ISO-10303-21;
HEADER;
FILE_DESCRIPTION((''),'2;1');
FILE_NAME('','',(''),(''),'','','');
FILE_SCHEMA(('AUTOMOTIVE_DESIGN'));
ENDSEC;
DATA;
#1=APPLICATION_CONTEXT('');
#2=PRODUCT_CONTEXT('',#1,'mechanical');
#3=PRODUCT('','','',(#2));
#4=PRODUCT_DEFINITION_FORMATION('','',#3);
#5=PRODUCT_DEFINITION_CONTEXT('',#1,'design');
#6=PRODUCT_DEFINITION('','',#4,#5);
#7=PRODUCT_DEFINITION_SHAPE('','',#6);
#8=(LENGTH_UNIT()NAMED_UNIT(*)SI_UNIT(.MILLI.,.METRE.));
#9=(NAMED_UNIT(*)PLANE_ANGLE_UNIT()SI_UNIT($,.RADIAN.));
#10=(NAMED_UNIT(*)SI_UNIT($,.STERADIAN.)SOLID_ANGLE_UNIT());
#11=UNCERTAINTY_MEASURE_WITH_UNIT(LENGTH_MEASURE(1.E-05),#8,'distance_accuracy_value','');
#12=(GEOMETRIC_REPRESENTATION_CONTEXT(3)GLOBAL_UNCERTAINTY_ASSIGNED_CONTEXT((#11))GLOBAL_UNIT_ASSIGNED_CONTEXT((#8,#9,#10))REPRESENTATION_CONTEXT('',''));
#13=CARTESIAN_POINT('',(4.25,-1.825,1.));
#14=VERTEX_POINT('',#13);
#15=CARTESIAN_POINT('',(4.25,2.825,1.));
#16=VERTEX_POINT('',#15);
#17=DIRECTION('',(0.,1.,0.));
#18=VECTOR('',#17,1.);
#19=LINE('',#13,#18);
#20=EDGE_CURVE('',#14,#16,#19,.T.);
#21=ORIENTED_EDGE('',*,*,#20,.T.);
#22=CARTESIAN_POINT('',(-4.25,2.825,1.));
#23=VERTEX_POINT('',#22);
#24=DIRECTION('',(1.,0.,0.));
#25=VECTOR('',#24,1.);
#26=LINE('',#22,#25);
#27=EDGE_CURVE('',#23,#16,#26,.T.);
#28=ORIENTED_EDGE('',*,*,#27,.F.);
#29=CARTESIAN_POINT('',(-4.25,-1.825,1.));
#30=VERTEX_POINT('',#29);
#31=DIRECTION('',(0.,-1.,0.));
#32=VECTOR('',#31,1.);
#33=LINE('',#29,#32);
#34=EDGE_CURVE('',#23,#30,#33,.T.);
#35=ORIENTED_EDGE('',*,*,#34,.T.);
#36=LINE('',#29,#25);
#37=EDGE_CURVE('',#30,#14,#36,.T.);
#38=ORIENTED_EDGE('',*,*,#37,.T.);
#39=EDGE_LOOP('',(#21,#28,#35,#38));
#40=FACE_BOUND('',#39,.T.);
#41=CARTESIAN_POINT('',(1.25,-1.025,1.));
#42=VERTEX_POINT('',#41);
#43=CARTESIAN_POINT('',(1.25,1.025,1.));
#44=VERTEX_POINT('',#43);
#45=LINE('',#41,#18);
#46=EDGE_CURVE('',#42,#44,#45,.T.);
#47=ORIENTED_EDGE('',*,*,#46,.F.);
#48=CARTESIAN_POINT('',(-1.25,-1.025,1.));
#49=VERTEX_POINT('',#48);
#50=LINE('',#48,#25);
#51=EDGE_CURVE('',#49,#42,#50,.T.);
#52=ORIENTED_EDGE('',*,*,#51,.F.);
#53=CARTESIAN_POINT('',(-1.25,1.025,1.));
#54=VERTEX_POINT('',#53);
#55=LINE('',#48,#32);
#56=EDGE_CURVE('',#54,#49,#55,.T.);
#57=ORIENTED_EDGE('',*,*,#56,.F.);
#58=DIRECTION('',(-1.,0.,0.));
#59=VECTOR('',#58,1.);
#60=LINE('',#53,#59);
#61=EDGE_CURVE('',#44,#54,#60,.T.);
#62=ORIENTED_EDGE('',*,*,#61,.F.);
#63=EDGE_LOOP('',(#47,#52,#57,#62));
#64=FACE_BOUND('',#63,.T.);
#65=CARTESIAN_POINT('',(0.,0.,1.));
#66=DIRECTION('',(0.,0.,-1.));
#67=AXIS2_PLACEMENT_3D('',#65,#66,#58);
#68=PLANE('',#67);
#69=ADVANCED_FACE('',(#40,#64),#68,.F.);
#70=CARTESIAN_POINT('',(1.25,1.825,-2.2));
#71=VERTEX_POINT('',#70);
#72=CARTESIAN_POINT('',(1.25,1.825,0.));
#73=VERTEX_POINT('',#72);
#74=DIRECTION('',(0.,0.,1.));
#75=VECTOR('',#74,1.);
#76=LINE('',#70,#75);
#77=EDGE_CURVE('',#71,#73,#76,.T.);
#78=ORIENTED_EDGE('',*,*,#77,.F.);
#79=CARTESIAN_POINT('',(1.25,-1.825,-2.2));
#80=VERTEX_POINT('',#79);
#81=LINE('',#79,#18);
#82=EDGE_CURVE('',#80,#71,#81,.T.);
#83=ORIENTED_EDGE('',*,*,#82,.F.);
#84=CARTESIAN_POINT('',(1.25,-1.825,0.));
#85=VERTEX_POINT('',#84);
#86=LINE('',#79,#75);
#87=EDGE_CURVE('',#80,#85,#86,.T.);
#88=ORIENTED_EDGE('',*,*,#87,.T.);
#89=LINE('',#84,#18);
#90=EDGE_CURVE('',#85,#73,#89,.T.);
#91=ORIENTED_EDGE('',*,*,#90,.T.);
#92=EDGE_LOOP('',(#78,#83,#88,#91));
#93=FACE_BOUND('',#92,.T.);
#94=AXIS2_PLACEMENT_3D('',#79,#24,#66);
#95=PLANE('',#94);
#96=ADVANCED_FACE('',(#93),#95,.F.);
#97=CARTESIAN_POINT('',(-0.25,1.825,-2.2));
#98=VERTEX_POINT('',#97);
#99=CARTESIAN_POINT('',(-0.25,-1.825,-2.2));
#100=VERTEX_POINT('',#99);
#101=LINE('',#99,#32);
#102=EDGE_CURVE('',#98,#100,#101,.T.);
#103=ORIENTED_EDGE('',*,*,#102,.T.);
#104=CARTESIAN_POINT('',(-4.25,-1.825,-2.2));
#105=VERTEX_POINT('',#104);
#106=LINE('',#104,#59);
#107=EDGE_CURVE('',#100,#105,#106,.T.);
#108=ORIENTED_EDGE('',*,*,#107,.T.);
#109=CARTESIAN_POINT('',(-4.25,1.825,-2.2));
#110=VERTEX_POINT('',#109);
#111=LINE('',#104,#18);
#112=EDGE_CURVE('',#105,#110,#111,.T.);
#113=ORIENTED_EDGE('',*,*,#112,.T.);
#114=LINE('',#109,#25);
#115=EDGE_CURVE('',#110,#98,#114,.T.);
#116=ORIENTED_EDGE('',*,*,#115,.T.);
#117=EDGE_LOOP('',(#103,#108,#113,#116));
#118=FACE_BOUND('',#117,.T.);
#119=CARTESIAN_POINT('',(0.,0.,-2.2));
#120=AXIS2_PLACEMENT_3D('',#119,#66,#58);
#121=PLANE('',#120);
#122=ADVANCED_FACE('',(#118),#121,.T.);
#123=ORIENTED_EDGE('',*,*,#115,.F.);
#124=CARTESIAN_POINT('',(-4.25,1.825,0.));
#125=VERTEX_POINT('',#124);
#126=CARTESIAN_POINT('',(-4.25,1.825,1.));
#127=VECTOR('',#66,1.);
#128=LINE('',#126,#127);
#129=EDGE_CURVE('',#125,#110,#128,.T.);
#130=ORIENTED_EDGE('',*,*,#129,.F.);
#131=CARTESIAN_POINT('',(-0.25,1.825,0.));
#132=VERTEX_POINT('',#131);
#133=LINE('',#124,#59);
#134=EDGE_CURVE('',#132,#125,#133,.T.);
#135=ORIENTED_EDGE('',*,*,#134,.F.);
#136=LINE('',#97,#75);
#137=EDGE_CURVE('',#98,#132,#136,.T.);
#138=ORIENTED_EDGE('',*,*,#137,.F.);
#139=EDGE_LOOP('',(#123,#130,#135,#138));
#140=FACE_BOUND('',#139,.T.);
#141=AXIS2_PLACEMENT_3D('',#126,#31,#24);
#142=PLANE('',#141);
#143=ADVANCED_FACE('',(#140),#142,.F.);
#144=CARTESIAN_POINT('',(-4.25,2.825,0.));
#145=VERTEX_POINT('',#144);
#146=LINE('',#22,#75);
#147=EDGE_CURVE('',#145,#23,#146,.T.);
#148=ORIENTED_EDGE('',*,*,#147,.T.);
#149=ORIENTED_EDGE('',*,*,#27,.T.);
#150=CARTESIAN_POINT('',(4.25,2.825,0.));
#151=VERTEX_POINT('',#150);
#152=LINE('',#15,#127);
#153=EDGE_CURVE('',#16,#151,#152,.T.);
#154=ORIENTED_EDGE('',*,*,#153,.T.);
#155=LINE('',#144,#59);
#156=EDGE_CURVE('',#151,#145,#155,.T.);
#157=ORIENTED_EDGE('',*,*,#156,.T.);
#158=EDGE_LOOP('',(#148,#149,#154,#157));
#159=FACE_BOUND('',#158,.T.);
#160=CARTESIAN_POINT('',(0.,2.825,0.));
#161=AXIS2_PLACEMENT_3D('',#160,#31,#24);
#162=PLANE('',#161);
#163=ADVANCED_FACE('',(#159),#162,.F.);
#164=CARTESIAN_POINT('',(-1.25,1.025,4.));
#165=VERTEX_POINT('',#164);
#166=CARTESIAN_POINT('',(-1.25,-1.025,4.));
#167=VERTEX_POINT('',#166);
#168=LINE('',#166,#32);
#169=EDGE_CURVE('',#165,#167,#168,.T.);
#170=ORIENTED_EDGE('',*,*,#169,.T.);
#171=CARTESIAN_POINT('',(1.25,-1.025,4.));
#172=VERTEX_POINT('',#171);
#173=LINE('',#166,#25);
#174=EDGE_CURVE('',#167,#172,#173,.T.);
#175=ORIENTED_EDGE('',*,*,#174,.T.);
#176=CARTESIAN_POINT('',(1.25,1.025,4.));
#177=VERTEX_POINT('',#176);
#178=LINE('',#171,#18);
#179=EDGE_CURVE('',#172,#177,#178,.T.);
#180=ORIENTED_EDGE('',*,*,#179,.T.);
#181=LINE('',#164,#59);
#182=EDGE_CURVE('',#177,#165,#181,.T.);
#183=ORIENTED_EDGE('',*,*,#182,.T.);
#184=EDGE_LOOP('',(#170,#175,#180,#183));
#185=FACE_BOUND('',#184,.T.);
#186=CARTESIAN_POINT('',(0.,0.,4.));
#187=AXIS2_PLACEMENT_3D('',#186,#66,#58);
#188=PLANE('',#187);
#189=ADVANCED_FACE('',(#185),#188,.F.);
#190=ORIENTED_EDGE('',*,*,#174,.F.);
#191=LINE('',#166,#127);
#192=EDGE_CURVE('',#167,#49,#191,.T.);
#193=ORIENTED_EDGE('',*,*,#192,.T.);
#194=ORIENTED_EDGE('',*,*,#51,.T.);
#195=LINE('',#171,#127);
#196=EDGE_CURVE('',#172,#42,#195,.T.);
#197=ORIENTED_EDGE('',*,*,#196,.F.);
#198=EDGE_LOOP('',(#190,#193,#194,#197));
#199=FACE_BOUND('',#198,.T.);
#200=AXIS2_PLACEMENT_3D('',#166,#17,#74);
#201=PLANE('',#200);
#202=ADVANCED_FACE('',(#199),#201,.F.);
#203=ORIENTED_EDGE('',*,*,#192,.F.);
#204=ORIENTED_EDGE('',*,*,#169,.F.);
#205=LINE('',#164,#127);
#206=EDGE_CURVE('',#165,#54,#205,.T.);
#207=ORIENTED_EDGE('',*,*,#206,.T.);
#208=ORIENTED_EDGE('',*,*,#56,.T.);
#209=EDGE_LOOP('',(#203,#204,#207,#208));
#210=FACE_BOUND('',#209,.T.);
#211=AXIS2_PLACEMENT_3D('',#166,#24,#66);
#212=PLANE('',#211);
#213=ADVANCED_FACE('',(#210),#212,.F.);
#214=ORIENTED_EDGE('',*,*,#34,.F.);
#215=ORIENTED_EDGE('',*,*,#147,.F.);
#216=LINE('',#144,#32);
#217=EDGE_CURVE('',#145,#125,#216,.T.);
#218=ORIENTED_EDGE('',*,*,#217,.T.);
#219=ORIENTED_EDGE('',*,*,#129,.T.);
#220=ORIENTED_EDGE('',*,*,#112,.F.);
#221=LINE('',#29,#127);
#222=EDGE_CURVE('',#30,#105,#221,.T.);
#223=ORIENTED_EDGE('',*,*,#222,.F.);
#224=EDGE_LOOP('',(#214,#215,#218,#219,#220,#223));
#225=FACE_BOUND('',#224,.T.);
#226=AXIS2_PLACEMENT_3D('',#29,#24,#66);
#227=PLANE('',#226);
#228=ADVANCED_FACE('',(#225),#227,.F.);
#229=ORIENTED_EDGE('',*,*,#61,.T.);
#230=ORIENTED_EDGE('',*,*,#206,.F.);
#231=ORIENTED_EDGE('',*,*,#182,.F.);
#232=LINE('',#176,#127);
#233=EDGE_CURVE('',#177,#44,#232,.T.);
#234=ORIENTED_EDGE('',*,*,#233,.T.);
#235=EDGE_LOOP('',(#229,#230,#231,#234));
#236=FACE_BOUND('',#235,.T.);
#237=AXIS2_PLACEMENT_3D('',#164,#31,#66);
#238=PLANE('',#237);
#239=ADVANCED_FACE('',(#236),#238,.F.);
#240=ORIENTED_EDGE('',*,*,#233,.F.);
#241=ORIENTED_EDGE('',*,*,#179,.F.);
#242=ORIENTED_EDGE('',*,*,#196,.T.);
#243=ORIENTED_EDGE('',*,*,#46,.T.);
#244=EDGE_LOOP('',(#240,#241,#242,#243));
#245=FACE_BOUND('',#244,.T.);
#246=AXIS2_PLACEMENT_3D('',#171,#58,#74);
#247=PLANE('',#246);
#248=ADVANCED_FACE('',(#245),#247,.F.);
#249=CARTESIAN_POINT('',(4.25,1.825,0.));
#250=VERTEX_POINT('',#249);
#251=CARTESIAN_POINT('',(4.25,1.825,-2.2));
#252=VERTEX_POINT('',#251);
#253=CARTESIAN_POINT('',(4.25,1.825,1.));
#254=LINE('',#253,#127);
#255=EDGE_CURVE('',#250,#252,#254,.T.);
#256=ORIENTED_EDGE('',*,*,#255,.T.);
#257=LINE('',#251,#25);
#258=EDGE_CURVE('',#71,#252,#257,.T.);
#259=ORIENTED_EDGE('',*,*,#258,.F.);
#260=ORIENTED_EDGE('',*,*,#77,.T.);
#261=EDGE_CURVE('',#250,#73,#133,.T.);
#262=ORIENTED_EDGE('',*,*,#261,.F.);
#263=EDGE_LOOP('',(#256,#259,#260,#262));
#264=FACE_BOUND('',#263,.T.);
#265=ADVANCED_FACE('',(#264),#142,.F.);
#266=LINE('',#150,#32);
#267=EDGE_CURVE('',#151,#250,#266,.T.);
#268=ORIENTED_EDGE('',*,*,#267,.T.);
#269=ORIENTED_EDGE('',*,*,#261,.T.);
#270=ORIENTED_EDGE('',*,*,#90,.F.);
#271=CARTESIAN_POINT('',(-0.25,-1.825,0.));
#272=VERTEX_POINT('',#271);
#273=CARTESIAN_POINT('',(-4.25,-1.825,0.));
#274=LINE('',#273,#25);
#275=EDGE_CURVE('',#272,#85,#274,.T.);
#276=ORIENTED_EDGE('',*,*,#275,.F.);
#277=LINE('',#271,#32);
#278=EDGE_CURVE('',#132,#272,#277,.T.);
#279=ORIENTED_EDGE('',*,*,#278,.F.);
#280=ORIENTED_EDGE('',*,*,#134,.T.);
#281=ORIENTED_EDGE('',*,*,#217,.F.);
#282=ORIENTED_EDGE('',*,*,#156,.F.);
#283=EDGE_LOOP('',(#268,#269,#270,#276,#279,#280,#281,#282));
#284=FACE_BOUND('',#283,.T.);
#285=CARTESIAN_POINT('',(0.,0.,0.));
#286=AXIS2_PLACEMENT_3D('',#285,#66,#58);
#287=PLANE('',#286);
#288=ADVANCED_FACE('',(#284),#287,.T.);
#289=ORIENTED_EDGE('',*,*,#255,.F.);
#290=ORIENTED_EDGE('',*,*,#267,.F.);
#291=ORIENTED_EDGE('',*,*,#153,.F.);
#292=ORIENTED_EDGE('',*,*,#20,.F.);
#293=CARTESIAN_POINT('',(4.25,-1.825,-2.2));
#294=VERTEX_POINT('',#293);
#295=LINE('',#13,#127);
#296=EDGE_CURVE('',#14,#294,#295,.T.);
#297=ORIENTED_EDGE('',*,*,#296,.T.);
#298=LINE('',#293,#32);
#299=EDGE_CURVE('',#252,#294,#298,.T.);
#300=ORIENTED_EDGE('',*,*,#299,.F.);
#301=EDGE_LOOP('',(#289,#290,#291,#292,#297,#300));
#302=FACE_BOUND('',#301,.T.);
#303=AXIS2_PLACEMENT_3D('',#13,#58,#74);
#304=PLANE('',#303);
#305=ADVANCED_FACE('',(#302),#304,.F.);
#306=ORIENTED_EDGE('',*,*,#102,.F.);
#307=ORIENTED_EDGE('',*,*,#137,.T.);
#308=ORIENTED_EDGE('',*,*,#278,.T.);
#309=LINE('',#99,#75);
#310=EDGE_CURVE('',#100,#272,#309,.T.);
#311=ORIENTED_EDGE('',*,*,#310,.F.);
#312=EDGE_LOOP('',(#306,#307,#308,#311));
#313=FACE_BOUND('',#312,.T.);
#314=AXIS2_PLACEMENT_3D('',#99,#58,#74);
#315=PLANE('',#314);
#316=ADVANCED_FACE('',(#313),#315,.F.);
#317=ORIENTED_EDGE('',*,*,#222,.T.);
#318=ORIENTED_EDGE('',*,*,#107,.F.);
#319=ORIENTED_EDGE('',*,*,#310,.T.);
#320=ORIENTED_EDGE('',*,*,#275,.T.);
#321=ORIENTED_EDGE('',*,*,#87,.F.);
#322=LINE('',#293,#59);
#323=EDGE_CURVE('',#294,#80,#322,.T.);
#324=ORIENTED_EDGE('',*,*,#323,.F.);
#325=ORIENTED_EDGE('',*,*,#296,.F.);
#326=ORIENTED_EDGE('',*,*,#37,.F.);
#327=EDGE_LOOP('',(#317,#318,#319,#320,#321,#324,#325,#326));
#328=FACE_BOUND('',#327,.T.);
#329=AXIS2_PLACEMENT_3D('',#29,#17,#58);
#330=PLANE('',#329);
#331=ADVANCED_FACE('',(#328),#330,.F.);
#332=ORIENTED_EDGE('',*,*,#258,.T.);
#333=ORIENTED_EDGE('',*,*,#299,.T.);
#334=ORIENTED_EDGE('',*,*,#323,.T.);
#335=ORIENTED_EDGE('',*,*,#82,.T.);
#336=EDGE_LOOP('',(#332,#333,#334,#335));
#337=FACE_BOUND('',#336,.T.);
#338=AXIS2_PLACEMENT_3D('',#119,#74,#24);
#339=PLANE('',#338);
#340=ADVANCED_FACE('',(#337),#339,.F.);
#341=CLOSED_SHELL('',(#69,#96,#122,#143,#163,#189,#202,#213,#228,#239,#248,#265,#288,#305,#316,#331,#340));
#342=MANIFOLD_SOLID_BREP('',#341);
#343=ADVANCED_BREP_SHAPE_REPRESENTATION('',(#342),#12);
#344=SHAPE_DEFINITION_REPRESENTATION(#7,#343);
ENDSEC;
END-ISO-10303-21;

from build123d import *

# Parameters (mm, degrees)
SKETCH1_W           = 8.5
SKETCH1_H           = 3.65
BOSS_EXTRUDE1_DEPTH = 1
SKETCH2_W           = 2.5
SKETCH2_H           = 2.05
BOSS_EXTRUDE2_DEPTH = 3
SKETCH3_W           = 4
SKETCH3_H           = 3.65
SKETCH3_W_2         = 3
BOSS_EXTRUDE3_DEPTH = 2.2
SKETCH4_W           = 8.5
SKETCH4_H           = 1
BOSS_EXTRUDE4_DEPTH = 1


with BuildPart() as part:
    # Sketch1 → Boss-Extrude1 (new body)
    with BuildSketch(Plane.XY):
        Rectangle(SKETCH1_W, SKETCH1_H)
    extrude(amount=BOSS_EXTRUDE1_DEPTH)

    # Sketch2 → Boss-Extrude2 (add)
    with BuildSketch(Plane.XY.offset(1)):
        Rectangle(SKETCH2_W, SKETCH2_H)
    extrude(amount=BOSS_EXTRUDE2_DEPTH)

    # Sketch3 → Boss-Extrude3 (add)
    with BuildSketch(Plane(origin=(0, 0, 0), x_dir=(-1, 0, 0), z_dir=(0, 0, -1))):
        with Locations((2.25, 0)):
            Rectangle(SKETCH3_W, SKETCH3_H)
        with Locations((-2.75, 0)):
            Rectangle(SKETCH3_W_2, SKETCH3_H)
    extrude(amount=BOSS_EXTRUDE3_DEPTH)

    # Sketch4 → Boss-Extrude4 (add)
    with BuildSketch(Plane(origin=(0, 1.825, 0), x_dir=(1, 0, 0), z_dir=(0, 1, 0))):
        with Locations((0, -0.5)):
            Rectangle(SKETCH4_W, SKETCH4_H)
    extrude(amount=BOSS_EXTRUDE4_DEPTH)


solid = part.part
